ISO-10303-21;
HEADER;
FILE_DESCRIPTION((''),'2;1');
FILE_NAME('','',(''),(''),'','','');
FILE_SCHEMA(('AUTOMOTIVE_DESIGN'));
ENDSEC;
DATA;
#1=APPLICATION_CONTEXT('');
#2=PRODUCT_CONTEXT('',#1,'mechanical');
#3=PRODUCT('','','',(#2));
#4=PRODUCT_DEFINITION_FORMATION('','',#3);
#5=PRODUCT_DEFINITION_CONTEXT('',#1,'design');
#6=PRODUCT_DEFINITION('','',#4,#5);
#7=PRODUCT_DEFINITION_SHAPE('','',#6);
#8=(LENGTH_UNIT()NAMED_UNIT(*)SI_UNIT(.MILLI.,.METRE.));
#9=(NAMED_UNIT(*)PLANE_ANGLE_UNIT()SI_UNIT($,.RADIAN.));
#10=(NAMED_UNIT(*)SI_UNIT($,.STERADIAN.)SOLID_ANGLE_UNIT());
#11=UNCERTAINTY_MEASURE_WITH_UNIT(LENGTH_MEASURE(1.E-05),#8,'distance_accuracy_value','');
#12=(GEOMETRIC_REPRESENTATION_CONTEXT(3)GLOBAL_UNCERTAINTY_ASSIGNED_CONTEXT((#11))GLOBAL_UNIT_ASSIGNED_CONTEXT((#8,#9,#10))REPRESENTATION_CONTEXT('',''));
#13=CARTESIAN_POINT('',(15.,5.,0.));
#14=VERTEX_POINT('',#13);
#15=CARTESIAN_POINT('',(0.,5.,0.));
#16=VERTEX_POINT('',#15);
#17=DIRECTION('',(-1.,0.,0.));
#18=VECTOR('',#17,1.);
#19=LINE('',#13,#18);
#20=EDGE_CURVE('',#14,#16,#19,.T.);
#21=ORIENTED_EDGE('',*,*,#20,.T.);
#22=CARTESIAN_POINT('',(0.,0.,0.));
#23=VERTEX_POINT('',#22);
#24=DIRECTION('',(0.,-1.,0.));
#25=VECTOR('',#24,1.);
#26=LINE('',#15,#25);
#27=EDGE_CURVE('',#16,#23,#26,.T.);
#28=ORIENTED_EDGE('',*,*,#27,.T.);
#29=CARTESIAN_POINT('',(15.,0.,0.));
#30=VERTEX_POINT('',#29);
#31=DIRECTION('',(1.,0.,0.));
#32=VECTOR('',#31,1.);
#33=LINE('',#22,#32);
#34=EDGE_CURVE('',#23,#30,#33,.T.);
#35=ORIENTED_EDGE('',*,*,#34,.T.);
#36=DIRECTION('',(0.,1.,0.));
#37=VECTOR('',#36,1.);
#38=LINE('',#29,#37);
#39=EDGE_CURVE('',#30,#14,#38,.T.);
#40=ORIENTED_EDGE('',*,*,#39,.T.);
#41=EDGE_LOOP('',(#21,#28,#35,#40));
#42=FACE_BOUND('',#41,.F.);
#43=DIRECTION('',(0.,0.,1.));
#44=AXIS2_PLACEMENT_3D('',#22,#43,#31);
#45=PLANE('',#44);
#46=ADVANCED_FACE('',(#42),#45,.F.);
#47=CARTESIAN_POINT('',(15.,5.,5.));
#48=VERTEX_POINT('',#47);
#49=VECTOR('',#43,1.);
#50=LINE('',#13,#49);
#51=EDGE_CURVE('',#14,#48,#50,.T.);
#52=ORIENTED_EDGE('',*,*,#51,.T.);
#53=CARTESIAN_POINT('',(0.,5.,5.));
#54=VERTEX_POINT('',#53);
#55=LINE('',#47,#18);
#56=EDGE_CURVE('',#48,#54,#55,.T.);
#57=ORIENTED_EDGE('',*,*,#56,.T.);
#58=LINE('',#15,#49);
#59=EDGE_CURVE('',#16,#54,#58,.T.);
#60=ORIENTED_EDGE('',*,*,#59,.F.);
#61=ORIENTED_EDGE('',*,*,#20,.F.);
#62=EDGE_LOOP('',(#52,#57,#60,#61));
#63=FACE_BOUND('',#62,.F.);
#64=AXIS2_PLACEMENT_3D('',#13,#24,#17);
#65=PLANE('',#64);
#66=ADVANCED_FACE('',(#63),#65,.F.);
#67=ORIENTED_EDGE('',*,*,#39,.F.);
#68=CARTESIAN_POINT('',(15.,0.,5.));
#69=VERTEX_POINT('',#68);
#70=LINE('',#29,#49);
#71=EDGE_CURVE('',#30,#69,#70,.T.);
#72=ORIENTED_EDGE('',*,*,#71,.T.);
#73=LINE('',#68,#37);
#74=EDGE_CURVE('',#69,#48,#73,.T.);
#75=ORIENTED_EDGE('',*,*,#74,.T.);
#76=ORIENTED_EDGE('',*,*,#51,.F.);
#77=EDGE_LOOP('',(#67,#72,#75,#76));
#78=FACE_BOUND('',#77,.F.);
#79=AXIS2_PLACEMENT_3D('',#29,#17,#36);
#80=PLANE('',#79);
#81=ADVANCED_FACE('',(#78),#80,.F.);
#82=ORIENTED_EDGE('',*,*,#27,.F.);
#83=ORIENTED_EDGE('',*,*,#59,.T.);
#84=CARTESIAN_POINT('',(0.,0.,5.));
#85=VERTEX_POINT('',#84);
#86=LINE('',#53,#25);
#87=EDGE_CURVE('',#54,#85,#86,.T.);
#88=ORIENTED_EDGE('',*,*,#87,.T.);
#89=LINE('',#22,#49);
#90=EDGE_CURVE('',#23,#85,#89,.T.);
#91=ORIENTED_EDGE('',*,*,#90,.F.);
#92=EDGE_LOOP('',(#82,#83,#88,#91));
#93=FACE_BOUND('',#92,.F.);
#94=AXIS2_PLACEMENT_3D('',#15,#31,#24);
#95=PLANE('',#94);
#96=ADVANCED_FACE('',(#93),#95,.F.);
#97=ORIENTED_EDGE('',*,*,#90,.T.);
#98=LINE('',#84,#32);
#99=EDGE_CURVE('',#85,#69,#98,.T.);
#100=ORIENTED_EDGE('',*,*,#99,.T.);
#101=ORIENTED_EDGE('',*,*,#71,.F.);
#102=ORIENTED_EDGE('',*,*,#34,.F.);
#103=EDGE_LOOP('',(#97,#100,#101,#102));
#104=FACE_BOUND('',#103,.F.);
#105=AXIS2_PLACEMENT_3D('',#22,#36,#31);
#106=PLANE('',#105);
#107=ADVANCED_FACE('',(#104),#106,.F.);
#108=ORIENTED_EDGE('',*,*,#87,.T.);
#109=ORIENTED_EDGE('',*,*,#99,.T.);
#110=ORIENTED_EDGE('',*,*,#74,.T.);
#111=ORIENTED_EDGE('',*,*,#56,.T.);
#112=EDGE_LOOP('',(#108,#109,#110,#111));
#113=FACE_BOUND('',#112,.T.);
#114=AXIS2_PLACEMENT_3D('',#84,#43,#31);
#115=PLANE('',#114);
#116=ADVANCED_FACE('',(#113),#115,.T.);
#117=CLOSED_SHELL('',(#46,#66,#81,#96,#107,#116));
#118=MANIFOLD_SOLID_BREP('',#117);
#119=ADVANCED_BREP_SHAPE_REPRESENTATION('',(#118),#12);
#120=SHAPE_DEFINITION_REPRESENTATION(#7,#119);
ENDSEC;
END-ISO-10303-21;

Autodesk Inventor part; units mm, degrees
ref_plane "YZ Plane" through (0, 0, 0) normal (1, 0, 0) x (0, 1, 0)
ref_plane "XZ Plane" through (0, 0, 0) normal (0, 1, 0) x (-1, 0, 0)
ref_plane "XY Plane" through (0, 0, 0) normal (0, 0, 1) x (1, 0, 0)
sketch "Sketch1" plane through (0, 0, 0) normal (0, 0, 1) x (1, 0, 0)
  line L0 (0, 0) -> (15, 0)
  line L1 (15, 0) -> (15, 5)
  line L2 (15, 5) -> (0, 5)
  line L3 (0, 5) -> (0, 0)
  dimension "d0" = 15
  dimension "d1" = 5
extrude "Extrusion1" add sketch "Sketch1" along normal blind 5
properties part number "SupportR00"
